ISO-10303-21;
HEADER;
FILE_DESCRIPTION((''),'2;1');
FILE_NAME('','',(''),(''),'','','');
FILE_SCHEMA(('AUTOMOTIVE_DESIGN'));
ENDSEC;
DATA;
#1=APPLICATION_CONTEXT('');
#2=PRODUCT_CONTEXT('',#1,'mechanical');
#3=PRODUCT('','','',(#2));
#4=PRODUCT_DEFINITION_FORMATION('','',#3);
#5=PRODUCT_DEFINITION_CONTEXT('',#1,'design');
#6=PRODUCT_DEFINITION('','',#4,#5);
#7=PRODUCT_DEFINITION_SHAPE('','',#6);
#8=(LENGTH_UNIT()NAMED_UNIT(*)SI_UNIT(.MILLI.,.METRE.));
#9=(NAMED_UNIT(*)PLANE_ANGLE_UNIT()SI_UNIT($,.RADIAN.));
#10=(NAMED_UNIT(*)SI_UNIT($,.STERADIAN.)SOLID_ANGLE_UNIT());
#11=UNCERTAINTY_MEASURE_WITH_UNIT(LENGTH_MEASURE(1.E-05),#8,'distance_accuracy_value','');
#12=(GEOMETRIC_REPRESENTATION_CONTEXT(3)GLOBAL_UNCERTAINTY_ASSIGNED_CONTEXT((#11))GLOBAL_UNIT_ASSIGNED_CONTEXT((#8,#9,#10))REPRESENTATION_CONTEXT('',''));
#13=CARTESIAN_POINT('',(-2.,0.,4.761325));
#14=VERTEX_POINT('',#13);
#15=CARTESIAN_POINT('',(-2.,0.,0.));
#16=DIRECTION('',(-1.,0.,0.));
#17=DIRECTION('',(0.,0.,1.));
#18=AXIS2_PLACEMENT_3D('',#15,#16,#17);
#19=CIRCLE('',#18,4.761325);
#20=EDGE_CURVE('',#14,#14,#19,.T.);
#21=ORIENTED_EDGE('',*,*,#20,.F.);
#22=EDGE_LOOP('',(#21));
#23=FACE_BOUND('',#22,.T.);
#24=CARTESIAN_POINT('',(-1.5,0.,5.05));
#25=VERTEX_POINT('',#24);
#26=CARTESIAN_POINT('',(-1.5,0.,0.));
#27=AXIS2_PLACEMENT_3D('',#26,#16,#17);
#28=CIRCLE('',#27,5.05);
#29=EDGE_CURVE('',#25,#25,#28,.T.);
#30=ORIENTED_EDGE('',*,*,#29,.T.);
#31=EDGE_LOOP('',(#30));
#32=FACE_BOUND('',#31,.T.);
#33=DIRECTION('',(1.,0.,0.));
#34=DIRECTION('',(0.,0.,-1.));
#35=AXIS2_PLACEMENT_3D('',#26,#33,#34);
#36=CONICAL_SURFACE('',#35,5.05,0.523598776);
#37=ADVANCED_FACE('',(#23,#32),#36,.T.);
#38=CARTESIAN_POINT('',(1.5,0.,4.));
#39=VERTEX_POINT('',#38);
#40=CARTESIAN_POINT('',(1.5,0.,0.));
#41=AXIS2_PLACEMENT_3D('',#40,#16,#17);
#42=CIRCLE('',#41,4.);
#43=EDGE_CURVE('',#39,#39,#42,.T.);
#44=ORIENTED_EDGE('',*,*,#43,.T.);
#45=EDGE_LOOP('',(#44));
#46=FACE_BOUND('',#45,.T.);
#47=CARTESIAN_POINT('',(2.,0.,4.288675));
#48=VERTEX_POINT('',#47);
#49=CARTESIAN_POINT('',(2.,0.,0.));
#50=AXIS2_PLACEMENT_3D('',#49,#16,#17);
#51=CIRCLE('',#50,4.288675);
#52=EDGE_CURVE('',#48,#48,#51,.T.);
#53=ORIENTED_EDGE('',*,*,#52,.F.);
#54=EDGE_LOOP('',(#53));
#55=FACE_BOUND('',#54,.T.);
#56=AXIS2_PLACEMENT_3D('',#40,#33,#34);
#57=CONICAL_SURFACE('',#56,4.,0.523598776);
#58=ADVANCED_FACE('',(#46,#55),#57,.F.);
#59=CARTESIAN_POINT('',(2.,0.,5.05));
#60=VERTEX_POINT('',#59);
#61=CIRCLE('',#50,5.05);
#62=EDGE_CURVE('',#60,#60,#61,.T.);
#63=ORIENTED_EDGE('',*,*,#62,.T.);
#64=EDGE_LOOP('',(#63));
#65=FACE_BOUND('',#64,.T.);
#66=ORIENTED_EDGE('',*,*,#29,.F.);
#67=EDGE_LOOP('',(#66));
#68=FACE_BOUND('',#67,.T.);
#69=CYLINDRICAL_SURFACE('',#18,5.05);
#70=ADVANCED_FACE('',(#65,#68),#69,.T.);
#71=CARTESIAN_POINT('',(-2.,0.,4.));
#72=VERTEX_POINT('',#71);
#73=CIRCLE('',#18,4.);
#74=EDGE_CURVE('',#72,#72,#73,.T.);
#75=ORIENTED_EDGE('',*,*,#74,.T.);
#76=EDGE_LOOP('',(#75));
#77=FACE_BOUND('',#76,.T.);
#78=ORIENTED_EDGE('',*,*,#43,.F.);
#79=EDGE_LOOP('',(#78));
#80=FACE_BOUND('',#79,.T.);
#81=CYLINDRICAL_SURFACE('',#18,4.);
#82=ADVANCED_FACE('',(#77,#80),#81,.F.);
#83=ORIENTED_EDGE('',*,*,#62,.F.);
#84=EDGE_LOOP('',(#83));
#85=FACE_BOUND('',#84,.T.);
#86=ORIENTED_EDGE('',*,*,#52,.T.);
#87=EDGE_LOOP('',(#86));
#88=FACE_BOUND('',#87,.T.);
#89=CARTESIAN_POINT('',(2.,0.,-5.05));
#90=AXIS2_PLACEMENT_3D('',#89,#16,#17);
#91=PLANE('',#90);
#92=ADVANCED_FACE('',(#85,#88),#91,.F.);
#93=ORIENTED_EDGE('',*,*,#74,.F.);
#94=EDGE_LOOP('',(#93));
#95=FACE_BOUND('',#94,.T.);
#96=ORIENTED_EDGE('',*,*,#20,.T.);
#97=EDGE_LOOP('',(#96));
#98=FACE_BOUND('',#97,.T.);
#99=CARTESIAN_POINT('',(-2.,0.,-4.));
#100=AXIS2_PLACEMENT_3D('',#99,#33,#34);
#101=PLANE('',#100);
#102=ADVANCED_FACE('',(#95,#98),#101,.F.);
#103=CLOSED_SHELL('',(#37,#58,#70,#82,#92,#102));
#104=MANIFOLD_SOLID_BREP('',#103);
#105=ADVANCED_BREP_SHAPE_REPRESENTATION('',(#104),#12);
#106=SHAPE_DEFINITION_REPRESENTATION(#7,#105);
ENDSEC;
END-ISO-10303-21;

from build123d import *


with BuildPart() as part:
    # Skizze1 → Rotation1 (revolve)
    with BuildSketch(Plane(origin=(0, 0, 0), x_dir=(1, 0, 0), z_dir=(0, 1, 0))):
        Polygon((-1.5, 5.05), (2, 5.05), (2, 4.288675135), (1.5, 4), (-2, 4), (-2, 4.761324865), align=None)
    revolve(axis=Axis((-2, 0, 0), (1, 0, 0)))


solid = part.part
